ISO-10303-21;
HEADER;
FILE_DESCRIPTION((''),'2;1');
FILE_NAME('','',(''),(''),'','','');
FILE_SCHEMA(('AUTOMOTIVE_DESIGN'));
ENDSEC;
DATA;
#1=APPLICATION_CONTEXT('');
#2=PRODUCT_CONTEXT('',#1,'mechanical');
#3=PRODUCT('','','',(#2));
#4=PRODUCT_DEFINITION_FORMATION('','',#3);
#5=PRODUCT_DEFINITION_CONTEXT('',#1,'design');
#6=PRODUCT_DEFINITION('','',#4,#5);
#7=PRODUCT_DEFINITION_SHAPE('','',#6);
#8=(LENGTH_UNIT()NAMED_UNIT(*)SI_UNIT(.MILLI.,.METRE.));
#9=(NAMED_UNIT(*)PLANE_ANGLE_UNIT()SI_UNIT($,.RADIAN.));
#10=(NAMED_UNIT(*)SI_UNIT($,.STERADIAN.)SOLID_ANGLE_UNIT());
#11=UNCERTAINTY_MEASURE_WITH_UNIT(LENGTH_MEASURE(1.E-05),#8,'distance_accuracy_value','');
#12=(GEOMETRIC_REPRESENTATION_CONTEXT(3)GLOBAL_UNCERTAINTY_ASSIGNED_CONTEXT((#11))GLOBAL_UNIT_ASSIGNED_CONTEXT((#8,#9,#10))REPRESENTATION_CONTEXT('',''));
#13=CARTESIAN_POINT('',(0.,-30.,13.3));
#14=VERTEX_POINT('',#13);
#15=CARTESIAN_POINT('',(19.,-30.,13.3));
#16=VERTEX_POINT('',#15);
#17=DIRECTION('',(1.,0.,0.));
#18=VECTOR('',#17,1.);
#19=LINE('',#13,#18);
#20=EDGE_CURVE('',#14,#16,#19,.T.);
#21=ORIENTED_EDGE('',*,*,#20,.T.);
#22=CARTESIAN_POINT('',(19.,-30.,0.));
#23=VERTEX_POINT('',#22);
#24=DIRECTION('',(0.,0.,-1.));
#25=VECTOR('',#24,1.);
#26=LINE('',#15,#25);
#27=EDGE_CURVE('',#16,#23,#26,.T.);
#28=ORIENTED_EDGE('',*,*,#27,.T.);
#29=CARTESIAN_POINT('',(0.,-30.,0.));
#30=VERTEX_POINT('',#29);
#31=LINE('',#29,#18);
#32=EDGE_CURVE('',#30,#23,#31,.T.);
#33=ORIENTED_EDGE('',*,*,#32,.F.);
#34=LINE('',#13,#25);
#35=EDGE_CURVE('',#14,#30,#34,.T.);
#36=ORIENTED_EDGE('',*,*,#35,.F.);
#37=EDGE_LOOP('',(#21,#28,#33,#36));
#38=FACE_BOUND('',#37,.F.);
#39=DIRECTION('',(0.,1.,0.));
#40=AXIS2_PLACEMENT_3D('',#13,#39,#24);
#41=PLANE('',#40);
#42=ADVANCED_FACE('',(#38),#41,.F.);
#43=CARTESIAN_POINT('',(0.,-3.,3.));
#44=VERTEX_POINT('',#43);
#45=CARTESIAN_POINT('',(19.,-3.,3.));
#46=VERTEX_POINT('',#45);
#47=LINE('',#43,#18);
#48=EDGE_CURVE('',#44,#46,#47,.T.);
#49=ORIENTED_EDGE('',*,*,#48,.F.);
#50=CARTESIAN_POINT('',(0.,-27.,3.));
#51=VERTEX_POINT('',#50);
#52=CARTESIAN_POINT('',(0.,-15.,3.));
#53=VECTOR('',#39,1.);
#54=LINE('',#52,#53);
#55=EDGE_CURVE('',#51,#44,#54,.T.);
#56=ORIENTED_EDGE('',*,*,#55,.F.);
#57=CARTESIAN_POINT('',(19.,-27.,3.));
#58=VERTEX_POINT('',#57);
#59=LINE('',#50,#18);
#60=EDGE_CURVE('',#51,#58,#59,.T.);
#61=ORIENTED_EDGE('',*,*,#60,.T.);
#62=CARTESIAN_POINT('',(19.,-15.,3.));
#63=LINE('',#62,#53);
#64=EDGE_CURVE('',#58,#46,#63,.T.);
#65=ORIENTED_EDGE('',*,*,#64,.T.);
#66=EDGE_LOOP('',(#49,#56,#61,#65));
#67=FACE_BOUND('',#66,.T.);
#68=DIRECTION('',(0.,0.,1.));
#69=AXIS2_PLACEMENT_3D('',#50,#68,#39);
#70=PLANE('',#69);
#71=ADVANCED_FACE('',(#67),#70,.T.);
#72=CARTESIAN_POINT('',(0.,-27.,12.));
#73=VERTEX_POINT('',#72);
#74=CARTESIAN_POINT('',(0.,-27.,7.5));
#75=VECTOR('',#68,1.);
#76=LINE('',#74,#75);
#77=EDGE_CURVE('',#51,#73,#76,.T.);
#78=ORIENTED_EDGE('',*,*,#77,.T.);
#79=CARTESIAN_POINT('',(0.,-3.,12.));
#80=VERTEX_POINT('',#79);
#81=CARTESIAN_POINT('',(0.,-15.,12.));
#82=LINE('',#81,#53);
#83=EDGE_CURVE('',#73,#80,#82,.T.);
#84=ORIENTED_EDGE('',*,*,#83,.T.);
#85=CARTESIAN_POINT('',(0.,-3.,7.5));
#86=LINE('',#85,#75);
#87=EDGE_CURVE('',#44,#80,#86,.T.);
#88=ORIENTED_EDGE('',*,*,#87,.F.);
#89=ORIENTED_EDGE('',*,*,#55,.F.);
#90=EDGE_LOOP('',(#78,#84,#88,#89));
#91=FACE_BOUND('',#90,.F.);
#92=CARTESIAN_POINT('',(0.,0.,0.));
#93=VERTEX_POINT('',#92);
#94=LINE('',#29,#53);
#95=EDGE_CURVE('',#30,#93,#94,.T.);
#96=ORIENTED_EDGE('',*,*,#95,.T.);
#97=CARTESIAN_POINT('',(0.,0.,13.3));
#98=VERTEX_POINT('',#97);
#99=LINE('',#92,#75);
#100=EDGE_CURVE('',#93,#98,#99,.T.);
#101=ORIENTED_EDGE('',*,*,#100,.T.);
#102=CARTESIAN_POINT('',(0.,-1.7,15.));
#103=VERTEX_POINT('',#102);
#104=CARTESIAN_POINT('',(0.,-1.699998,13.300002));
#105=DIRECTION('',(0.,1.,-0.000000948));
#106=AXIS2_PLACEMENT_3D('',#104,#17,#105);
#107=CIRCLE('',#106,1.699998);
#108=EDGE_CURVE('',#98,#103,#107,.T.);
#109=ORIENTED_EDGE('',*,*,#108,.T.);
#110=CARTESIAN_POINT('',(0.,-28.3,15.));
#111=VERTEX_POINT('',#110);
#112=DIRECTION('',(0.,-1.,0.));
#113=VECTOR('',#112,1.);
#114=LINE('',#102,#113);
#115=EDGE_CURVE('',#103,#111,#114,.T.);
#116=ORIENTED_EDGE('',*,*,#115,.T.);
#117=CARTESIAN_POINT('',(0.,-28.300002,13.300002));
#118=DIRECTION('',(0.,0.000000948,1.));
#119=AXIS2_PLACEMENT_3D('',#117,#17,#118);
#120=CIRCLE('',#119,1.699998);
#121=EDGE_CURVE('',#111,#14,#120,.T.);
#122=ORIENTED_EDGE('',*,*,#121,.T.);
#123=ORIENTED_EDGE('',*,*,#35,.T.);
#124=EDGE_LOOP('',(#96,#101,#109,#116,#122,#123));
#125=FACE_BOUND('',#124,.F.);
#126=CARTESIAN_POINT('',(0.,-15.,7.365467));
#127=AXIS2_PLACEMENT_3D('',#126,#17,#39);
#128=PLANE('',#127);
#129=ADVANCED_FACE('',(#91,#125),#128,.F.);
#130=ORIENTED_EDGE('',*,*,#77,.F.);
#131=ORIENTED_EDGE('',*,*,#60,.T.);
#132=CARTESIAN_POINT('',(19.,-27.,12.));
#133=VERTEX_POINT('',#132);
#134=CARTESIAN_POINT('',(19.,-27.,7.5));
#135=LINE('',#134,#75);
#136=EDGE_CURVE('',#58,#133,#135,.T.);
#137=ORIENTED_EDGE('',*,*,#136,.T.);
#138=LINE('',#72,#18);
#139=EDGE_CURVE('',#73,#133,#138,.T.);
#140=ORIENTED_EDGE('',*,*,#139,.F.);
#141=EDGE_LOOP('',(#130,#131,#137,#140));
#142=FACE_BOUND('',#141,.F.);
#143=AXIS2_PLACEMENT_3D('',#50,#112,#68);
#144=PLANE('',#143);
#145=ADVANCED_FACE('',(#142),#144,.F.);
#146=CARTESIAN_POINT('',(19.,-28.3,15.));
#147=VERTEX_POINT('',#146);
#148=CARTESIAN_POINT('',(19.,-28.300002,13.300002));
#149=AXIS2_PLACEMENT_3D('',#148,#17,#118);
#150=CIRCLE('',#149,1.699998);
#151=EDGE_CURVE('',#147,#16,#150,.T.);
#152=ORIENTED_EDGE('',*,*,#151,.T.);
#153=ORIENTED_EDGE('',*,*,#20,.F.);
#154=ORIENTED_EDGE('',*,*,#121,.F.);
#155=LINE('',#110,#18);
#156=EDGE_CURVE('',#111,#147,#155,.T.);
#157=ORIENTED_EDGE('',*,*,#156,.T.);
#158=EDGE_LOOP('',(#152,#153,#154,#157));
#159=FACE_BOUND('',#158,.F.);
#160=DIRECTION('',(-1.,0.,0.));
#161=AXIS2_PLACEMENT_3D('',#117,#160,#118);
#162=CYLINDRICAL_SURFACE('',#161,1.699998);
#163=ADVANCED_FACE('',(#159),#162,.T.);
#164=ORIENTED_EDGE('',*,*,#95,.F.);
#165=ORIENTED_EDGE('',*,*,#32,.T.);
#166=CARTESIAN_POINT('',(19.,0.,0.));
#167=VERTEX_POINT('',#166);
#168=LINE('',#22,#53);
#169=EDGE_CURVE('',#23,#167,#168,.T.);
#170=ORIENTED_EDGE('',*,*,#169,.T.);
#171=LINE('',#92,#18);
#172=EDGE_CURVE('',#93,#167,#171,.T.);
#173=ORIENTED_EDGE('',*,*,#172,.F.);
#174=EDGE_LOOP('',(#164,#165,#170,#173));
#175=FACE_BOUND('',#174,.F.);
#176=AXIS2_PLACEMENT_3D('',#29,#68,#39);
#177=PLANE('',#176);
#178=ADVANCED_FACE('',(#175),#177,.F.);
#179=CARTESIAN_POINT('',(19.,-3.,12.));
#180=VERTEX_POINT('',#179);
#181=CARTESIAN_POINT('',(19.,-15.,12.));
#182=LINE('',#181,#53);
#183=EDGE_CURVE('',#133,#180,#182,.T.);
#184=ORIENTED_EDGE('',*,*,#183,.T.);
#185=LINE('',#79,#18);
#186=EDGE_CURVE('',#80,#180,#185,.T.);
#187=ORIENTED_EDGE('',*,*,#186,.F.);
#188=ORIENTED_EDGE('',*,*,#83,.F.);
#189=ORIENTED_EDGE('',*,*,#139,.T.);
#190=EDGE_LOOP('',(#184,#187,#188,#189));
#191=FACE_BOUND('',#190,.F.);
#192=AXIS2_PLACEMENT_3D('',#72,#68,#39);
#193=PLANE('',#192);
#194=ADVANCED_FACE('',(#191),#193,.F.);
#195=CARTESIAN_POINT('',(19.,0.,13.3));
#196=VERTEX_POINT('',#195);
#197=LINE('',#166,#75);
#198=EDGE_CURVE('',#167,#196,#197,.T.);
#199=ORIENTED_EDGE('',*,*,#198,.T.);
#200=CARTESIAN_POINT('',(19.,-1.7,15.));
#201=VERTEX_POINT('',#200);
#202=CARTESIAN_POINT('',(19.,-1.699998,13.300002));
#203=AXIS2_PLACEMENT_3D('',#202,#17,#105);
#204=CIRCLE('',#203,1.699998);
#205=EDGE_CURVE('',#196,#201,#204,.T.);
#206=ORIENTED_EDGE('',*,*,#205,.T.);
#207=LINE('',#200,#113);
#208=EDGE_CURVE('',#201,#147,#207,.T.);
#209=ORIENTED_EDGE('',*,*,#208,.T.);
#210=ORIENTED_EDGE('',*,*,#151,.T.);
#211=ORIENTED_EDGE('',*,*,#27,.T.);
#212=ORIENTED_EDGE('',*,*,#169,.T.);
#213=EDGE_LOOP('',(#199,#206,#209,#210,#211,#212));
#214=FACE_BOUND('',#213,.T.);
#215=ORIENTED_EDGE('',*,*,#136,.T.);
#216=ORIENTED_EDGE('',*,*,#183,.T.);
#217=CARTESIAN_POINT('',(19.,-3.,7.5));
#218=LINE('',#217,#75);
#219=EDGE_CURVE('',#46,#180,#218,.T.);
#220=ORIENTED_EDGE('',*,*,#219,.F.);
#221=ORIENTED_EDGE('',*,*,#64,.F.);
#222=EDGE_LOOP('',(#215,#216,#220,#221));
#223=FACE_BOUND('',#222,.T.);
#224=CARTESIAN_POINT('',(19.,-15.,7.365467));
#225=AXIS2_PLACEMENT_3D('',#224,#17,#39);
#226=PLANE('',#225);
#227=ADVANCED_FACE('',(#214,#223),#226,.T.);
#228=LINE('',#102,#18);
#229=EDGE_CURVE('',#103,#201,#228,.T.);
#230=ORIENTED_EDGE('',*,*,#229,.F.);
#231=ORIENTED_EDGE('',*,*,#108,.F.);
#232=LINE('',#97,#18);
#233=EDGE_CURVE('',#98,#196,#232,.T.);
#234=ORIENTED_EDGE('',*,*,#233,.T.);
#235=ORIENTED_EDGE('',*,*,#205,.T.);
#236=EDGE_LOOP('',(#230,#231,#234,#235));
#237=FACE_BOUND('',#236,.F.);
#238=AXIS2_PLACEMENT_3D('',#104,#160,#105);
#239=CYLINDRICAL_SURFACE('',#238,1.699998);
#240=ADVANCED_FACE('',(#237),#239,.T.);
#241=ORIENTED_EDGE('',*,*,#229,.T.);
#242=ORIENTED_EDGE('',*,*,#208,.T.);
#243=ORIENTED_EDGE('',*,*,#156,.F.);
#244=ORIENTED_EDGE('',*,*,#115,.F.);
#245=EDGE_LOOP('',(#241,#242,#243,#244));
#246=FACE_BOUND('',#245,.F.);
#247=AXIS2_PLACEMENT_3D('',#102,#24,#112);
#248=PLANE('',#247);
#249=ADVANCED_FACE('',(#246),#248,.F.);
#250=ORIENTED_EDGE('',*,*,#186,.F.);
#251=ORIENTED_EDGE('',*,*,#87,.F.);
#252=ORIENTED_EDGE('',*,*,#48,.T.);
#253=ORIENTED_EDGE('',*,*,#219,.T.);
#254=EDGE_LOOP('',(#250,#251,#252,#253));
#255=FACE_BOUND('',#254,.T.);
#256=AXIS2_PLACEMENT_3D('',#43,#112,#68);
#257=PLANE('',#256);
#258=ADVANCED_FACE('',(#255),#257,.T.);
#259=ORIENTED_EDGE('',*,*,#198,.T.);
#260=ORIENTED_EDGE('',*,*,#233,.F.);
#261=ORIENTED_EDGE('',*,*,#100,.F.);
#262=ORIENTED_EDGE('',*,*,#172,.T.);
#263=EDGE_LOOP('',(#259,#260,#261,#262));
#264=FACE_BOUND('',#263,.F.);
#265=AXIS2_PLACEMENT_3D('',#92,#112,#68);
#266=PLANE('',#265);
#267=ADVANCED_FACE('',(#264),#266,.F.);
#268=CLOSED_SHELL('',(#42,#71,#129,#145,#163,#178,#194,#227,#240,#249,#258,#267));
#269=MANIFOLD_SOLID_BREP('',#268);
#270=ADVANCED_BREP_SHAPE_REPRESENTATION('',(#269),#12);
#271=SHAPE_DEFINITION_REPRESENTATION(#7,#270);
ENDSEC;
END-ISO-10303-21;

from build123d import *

# Parameters (mm, degrees)
F0_W     = 24
F0_H     = 9
F1_DEPTH = 19


with BuildPart() as f1:
    # F0 (on Right) → F1 (new body)
    with BuildSketch(Plane.YZ):
        with BuildLine():
            Line((-30, 0), (0, 0))
            Line((0, 0), (0, 13.3))
            ThreePointArc((0, 13.3), (-0.497918, 14.502082), (-1.7, 15))
            Line((-1.7, 15), (-13.862342, 15))
            Line((-13.862342, 15), (-28.3, 15))
            ThreePointArc((-28.3, 15), (-29.502082, 14.502082), (-30, 13.3))
            Line((-30, 13.3), (-30, 0))
        make_face()
        with Locations((-15, 7.5)):
            Rectangle(F0_W, F0_H, mode=Mode.SUBTRACT)
    extrude(amount=F1_DEPTH)


solid = f1.part
